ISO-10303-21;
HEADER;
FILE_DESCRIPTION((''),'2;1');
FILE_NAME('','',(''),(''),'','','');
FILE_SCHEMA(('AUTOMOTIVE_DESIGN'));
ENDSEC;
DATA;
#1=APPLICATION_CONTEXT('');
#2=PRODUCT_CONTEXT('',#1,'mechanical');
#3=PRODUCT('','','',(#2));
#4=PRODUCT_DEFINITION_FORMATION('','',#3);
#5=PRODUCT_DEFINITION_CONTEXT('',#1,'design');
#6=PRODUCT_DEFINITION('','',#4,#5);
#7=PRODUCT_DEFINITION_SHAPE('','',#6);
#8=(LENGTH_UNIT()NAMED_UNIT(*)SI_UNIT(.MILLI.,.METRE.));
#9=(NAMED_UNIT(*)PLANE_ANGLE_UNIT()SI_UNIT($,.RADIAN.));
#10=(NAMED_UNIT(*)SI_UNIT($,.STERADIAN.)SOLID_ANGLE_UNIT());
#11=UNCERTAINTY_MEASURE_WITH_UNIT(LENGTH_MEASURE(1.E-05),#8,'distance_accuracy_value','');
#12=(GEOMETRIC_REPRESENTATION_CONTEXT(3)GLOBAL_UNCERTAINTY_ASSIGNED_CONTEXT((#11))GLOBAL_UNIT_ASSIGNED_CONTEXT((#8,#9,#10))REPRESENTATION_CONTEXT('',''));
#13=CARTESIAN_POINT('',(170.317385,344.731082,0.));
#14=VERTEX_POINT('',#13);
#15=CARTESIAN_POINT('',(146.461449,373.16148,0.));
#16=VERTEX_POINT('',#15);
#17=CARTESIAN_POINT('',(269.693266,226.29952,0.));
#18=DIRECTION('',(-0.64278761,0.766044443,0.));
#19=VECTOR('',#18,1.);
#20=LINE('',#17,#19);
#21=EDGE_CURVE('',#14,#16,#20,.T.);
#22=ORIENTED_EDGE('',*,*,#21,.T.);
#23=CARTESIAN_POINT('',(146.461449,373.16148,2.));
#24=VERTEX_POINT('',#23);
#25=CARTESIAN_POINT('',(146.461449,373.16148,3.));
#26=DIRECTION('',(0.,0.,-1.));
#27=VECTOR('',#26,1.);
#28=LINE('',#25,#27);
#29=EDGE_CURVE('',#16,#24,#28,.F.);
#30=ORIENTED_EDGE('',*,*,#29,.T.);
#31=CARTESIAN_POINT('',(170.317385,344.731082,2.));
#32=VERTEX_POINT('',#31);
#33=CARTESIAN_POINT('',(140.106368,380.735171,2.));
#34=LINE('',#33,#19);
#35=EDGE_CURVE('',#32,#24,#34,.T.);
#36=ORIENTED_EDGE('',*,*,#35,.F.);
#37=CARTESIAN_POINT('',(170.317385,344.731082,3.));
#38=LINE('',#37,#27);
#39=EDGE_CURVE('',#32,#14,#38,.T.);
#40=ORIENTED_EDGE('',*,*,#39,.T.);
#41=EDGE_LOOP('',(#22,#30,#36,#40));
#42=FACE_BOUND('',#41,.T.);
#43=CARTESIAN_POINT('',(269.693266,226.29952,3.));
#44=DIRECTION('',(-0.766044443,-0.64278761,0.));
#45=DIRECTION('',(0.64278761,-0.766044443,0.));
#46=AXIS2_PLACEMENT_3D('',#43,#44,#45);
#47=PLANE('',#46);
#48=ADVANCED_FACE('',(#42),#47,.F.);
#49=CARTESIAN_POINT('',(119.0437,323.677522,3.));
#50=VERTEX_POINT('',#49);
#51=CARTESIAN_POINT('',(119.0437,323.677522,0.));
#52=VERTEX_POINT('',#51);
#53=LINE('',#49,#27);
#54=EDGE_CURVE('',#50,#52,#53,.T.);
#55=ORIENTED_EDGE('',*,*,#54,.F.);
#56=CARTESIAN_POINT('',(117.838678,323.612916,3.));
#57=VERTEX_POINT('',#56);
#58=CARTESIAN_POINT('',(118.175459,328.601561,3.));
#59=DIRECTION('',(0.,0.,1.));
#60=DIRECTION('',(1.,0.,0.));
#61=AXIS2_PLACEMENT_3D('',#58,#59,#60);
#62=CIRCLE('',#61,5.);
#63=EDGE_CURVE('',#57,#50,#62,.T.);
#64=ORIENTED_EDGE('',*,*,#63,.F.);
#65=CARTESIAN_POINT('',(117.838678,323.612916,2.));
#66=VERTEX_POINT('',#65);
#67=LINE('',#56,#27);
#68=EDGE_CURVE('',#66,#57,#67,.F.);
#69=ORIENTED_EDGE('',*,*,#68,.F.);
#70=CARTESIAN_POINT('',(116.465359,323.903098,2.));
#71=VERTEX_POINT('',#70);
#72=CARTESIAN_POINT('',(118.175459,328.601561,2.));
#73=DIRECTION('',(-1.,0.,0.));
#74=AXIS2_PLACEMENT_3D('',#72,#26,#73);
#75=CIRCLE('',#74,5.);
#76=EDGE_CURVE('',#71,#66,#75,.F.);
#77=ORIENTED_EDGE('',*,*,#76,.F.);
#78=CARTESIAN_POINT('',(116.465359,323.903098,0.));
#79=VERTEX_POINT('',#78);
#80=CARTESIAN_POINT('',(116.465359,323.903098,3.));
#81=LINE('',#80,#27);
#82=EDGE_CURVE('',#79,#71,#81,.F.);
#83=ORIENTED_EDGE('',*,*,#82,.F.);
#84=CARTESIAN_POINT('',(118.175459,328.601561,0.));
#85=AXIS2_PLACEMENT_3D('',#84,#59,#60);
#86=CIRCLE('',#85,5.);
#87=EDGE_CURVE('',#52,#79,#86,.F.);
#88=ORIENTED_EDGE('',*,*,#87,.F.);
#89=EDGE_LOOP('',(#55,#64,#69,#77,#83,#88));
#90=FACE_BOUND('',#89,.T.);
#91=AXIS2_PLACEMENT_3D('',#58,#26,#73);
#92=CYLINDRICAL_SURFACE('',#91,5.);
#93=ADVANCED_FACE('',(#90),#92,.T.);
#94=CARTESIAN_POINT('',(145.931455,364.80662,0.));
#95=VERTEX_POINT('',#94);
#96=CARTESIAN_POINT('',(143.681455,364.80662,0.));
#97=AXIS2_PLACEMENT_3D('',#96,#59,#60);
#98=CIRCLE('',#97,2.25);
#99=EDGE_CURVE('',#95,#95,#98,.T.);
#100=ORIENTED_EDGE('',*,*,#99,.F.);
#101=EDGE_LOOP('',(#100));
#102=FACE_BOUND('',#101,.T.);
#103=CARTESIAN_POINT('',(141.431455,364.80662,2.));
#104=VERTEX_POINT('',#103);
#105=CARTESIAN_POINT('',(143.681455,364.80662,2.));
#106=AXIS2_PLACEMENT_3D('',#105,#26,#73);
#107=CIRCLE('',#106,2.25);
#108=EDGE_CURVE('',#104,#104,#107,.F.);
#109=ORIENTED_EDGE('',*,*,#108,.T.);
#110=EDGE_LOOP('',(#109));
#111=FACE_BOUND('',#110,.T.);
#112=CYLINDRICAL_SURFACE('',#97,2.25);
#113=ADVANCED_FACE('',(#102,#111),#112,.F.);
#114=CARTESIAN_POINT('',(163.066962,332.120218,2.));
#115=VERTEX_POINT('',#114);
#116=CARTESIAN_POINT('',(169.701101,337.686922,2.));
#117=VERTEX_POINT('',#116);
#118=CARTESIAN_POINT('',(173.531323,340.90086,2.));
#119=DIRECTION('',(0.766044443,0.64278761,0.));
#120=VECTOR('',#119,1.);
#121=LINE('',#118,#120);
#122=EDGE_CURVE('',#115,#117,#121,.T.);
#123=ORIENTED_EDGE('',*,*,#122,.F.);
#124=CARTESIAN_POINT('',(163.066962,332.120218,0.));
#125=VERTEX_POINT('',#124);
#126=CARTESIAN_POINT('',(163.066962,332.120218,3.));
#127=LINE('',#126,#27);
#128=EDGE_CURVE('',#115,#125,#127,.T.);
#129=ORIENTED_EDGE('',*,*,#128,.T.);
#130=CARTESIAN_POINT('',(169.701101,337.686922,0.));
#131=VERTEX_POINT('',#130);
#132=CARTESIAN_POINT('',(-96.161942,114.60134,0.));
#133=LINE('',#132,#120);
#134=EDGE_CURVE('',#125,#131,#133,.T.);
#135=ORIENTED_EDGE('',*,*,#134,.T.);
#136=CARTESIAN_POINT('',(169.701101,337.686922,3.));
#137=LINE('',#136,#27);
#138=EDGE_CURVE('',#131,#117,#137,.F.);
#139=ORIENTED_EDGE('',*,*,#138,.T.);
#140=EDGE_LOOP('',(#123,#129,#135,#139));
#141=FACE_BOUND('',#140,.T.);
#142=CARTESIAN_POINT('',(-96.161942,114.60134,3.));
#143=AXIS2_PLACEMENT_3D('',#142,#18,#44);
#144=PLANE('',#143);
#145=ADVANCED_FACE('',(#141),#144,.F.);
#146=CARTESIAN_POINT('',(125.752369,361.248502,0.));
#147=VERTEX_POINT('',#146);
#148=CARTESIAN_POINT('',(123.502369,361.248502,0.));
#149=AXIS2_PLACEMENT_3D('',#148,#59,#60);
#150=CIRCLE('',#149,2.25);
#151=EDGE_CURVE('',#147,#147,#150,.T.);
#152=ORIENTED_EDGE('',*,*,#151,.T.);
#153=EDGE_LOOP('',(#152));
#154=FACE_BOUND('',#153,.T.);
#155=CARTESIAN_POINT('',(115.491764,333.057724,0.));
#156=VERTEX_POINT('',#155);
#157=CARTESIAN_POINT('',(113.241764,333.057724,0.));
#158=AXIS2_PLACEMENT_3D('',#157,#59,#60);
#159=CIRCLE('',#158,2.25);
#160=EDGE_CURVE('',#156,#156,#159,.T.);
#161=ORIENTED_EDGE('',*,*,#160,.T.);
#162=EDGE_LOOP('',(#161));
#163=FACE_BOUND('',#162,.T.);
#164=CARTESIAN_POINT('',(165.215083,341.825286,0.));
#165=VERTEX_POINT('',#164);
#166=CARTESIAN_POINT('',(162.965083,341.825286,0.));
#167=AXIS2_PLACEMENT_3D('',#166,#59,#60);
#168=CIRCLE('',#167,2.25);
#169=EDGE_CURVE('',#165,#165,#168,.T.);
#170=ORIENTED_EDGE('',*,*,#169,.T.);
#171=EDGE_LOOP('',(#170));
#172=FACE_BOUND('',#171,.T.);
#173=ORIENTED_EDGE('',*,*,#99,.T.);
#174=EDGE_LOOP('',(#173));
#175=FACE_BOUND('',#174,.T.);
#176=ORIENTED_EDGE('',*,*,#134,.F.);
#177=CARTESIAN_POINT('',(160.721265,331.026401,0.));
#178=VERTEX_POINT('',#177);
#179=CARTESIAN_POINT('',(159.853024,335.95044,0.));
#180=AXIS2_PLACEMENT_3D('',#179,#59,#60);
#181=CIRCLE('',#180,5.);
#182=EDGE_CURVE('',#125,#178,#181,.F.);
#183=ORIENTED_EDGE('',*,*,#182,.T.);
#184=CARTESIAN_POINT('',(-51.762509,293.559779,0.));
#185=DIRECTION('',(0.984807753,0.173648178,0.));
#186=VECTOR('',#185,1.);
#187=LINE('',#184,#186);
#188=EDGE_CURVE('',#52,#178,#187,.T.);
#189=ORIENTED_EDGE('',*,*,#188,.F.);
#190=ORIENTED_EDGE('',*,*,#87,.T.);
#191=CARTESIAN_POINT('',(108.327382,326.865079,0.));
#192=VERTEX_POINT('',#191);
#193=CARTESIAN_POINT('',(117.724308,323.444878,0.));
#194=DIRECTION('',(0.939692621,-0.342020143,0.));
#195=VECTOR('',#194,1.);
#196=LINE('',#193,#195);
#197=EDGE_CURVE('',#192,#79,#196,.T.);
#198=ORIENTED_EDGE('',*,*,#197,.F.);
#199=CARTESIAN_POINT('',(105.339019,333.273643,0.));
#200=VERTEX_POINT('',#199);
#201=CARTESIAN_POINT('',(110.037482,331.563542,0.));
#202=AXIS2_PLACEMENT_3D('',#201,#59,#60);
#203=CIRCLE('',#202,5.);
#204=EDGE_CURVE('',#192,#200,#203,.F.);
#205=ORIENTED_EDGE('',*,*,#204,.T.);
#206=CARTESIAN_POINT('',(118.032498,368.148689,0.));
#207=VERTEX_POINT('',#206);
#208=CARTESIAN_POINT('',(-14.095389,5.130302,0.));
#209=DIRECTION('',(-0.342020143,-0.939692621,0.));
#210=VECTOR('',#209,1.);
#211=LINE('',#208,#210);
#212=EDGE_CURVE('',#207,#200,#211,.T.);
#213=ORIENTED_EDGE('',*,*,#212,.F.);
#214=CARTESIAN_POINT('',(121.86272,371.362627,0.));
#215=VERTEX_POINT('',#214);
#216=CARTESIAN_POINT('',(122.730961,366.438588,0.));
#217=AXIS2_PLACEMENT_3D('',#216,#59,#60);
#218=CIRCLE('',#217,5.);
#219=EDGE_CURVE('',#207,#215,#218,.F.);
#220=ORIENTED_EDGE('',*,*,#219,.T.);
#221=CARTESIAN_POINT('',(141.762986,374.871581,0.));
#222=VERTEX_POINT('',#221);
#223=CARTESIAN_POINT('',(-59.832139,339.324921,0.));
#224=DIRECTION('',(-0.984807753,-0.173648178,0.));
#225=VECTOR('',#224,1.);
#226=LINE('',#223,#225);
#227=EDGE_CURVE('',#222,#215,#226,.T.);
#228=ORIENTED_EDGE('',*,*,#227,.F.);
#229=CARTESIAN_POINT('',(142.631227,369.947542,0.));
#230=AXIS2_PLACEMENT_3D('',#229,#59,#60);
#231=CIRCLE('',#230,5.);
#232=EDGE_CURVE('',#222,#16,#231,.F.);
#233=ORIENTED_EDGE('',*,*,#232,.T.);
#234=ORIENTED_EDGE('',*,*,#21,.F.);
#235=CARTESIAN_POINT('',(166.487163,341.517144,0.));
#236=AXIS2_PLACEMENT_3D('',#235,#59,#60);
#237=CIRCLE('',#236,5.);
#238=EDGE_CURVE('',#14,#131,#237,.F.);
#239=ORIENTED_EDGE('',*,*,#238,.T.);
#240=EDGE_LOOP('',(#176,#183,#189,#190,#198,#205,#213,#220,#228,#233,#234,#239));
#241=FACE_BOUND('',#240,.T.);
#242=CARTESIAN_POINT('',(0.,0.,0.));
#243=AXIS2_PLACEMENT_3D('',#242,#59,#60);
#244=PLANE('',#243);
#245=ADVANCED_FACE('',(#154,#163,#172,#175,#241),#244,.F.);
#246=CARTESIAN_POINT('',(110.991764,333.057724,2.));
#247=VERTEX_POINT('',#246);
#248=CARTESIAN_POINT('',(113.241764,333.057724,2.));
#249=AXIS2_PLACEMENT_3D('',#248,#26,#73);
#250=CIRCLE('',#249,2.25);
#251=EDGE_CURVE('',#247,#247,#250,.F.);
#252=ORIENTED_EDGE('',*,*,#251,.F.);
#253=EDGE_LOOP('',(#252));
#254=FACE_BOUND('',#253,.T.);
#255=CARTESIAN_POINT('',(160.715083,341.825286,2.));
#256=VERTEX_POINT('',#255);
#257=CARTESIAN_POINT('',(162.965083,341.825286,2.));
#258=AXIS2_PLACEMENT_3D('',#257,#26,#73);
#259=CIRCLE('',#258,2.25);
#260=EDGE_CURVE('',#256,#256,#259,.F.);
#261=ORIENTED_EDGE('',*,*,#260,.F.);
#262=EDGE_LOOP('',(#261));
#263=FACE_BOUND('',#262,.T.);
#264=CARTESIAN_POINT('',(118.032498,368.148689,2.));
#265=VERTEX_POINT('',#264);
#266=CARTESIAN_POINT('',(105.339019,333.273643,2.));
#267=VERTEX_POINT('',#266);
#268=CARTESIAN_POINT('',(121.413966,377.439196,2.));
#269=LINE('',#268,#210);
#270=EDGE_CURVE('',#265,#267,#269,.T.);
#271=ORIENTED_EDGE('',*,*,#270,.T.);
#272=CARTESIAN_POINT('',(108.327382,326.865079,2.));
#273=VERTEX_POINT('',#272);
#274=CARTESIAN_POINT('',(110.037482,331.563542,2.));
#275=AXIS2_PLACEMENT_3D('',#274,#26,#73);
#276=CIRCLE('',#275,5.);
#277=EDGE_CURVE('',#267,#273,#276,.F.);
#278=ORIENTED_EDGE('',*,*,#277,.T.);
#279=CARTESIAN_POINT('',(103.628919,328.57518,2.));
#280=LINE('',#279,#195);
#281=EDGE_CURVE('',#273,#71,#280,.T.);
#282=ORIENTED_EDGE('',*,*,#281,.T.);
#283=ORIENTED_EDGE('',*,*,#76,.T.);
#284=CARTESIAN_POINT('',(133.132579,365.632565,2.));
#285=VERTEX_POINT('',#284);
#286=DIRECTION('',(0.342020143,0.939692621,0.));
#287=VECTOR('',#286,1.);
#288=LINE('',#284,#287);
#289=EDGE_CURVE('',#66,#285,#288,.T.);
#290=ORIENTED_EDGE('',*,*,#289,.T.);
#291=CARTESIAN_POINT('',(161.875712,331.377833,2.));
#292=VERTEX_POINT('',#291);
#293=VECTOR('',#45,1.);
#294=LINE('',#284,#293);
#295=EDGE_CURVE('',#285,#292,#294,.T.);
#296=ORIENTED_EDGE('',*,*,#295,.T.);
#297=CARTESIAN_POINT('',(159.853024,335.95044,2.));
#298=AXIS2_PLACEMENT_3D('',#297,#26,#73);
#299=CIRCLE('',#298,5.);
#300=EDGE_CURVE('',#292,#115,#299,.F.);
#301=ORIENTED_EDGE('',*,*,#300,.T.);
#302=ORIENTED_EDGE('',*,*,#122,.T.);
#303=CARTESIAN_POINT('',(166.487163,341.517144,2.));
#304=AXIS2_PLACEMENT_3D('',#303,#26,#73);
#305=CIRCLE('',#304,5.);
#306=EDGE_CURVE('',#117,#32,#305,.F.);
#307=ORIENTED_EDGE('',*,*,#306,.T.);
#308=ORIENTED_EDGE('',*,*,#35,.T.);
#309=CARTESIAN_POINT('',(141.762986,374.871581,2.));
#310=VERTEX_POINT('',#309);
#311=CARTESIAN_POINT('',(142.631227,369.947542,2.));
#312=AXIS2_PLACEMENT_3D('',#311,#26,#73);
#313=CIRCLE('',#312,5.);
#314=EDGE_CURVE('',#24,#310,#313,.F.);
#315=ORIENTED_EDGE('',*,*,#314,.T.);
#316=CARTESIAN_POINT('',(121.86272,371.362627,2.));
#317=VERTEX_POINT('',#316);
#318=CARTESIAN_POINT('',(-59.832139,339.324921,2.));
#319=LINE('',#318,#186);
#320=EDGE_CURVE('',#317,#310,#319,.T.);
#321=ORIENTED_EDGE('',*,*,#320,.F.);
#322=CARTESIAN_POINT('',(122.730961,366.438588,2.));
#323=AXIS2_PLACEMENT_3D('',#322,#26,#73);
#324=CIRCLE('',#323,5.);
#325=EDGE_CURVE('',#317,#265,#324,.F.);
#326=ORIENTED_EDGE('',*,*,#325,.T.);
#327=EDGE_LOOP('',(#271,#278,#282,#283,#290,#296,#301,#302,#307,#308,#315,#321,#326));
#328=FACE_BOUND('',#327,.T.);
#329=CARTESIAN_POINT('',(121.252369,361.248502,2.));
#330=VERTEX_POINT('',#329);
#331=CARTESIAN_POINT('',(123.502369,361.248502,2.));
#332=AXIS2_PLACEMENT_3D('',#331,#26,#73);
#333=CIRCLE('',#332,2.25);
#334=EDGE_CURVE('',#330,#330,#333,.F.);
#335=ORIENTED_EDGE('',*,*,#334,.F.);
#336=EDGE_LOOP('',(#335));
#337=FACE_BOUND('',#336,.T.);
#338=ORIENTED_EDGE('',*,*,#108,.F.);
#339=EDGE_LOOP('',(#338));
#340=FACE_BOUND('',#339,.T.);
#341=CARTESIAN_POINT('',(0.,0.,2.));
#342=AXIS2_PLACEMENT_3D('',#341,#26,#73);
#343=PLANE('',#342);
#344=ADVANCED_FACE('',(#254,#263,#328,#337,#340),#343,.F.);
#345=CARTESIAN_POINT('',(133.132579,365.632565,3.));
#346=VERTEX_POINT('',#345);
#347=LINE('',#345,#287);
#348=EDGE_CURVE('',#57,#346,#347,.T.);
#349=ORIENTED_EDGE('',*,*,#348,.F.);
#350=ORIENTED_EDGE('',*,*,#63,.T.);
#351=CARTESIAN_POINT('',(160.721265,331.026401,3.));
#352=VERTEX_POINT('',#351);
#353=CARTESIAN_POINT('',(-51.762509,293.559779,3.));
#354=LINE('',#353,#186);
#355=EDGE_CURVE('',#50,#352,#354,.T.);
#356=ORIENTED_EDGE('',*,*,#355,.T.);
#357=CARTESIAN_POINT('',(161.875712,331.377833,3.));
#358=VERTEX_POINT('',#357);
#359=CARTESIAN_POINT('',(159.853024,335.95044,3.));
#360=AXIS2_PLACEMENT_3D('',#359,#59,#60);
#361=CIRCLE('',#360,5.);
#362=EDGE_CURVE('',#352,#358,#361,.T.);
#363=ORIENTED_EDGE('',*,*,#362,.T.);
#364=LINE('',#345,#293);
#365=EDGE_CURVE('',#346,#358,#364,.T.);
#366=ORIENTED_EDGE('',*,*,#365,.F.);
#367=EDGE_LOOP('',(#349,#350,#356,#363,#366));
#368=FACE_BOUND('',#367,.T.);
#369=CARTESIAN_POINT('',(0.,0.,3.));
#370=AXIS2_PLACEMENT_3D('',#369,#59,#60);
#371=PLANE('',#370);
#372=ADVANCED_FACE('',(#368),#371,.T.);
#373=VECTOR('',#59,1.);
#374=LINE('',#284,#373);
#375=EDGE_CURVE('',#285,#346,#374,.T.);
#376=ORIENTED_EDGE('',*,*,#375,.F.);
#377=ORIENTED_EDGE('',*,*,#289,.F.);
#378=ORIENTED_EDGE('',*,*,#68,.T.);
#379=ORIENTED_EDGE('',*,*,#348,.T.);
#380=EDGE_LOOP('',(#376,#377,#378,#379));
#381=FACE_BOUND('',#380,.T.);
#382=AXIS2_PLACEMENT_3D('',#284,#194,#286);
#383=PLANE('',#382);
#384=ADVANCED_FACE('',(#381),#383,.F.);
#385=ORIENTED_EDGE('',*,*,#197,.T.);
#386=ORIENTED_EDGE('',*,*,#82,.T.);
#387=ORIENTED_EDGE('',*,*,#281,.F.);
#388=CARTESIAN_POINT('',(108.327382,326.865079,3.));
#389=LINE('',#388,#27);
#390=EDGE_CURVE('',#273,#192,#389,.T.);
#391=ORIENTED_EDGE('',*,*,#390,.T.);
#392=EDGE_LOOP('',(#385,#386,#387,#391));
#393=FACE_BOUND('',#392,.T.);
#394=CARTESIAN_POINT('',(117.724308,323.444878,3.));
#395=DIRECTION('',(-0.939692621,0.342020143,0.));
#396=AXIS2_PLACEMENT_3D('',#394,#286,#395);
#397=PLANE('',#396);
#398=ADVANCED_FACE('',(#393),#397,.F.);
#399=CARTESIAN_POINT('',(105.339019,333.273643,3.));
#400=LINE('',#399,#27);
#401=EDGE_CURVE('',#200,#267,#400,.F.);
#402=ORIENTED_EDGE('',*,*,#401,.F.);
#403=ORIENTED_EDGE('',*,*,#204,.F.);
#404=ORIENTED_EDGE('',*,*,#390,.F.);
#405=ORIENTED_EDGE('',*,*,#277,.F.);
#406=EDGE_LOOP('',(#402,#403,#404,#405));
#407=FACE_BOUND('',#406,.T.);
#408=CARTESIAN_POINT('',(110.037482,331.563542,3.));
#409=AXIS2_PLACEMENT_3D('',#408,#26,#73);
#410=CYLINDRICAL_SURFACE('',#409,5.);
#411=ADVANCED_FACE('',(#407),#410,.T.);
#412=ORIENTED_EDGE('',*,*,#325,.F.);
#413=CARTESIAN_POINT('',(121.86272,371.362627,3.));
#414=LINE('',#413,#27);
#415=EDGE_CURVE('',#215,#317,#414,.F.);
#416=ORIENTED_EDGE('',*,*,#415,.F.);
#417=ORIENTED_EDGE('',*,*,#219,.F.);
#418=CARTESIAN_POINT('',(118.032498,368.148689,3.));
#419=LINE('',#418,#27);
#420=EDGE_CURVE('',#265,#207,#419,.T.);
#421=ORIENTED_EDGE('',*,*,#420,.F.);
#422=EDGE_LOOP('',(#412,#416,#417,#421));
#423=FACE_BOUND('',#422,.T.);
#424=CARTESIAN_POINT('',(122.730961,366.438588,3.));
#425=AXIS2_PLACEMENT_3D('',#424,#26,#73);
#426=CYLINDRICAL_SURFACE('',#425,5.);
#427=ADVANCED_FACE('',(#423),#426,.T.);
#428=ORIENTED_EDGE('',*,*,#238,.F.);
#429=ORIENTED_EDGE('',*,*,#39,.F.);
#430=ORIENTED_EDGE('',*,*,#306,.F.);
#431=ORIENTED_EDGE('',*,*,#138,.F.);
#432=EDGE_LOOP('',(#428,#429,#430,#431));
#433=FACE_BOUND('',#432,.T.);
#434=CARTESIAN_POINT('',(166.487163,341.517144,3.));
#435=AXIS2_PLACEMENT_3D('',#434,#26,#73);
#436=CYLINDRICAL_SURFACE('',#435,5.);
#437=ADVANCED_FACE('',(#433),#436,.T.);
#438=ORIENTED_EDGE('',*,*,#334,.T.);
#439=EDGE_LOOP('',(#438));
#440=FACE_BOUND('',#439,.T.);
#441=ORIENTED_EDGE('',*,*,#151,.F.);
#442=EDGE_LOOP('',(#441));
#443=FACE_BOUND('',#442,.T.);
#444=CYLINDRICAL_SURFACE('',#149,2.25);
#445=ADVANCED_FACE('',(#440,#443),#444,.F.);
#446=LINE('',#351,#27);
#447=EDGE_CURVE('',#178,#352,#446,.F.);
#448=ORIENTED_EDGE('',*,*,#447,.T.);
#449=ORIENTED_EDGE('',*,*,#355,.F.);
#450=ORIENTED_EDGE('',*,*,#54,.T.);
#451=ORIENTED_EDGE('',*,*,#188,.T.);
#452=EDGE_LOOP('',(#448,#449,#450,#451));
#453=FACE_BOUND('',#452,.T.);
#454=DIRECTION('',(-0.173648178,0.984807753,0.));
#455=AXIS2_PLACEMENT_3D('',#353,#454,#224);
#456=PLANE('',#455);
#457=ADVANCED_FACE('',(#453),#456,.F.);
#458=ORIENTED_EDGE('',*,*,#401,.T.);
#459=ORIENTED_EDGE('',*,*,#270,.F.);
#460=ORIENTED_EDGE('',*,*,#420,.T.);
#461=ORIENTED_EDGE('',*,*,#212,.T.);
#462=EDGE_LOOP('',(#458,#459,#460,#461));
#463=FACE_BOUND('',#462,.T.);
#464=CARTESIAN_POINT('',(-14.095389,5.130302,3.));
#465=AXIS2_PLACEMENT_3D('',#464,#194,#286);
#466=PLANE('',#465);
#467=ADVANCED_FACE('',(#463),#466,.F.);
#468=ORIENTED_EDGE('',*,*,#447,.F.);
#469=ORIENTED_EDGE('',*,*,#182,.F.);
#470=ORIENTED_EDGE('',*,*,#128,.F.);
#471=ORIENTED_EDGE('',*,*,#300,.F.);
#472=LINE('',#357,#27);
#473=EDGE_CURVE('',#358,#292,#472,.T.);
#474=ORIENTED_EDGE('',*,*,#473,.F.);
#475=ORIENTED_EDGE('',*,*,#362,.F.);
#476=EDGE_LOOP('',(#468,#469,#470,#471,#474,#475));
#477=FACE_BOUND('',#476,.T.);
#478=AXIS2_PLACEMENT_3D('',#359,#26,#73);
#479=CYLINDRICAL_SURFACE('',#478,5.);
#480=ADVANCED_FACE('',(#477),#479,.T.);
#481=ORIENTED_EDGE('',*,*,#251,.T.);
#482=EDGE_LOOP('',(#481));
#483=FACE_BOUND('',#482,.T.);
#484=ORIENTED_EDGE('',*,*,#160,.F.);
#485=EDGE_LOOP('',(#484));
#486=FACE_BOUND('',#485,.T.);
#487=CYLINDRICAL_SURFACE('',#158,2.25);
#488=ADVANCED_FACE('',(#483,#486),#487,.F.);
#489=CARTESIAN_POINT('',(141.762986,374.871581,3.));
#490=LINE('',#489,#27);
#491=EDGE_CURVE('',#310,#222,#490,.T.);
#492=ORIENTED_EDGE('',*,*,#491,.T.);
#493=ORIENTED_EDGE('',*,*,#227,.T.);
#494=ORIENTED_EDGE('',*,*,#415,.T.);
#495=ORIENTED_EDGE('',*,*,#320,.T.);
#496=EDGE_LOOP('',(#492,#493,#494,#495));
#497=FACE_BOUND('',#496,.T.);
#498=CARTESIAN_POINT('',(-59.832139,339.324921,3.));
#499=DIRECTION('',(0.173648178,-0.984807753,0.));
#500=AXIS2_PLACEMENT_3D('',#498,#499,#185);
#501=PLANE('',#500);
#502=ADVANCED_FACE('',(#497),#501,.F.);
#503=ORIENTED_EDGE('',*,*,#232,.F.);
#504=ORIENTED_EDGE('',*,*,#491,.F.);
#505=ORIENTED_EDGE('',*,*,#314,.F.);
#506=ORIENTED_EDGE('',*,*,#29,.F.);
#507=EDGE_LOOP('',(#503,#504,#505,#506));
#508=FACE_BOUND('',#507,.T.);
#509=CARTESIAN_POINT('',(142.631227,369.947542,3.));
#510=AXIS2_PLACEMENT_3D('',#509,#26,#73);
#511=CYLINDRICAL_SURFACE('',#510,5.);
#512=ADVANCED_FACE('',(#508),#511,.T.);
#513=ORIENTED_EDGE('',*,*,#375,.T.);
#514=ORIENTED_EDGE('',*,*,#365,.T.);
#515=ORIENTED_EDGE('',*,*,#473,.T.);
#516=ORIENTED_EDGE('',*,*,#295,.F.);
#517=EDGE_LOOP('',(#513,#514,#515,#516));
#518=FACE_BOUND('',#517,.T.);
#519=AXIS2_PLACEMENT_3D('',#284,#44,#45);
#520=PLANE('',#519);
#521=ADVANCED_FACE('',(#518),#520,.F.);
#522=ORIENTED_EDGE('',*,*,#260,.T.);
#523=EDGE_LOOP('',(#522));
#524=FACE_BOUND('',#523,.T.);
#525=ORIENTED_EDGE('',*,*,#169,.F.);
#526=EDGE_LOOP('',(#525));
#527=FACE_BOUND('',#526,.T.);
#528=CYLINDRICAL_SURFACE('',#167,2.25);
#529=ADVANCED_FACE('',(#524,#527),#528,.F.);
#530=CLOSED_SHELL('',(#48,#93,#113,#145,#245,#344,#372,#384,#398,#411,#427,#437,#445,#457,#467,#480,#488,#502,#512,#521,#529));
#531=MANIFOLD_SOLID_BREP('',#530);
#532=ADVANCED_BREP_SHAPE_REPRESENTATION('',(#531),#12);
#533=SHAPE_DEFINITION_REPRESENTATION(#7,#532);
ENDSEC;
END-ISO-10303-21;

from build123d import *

# Parameters (mm, degrees)
EXTRUDE_1_DEPTH     = 3
SKETCH_2_R          = 2.25
CUT_EXTRUDE_1_DEPTH = 3
FILLET_1_R          = 5
CUT_EXTRUDE_2_DEPTH = 1


with BuildPart() as part:
    # ｽｹｯﾁ1 → ﾎﾞｽ - 押し出し1 (new body)
    with BuildSketch(Plane.XY):
        Polygon((173.531323483, 340.900859956), (144.605881047, 375.372859896), (133.1152144, 365.731045751), (119.019825089, 370.861347901), (103.628918639, 328.575179965), (117.724307951, 323.444877815), (162.040656836, 331.259045811), align=None)
        Polygon((144.605881047, 375.372859896), (133.1152144, 365.731045751), (119.019825089, 370.861347901), align=None)
    extrude(amount=EXTRUDE_1_DEPTH)

    # ｽｹｯﾁ2 → ｶｯﾄ - 押し出し1 (cut)
    with BuildSketch(Plane.XY.offset(3)):
        with Locations((113.24176437, 333.057723546)):
            Circle(SKETCH_2_R)
        with Locations((123.50236867, 361.24850217)):
            Circle(SKETCH_2_R)
        with Locations((143.681454796, 364.8066195)):
            Circle(SKETCH_2_R)
        with Locations((162.965083087, 341.825286207)):
            Circle(SKETCH_2_R)
    extrude(amount=-CUT_EXTRUDE_1_DEPTH, mode=Mode.SUBTRACT)

    # ﾌｨﾚｯﾄ1
    fillet_1_edges = [part.edges().sort_by_distance(p)[0] for p in [
        (173.531323483, 340.900859956, 1.5),
        (162.040656836, 331.259045811, 1.5),
        (117.724307951, 323.444877815, 1.5),
        (103.628918639, 328.575179965, 1.5),
        (119.019825089, 370.861347901, 1.5),
        (144.605881047, 375.372859896, 1.5),
    ]]
    fillet(fillet_1_edges, radius=FILLET_1_R)

    # ｽｹｯﾁ3 → ｶｯﾄ - 押し出し2 (cut)
    with BuildSketch(Plane.XY.offset(3)):
        Polygon((121.413966092, 377.439196246), (103.628918639, 328.575179965), (117.771292582, 323.427776808), (133.132579218, 365.632564976), (162.002354614, 331.22690643), (173.531323483, 340.900859956), (140.106367779, 380.735170998), (131.711632891, 373.691152049), align=None)
    extrude(amount=-CUT_EXTRUDE_2_DEPTH, mode=Mode.SUBTRACT)


solid = part.part
